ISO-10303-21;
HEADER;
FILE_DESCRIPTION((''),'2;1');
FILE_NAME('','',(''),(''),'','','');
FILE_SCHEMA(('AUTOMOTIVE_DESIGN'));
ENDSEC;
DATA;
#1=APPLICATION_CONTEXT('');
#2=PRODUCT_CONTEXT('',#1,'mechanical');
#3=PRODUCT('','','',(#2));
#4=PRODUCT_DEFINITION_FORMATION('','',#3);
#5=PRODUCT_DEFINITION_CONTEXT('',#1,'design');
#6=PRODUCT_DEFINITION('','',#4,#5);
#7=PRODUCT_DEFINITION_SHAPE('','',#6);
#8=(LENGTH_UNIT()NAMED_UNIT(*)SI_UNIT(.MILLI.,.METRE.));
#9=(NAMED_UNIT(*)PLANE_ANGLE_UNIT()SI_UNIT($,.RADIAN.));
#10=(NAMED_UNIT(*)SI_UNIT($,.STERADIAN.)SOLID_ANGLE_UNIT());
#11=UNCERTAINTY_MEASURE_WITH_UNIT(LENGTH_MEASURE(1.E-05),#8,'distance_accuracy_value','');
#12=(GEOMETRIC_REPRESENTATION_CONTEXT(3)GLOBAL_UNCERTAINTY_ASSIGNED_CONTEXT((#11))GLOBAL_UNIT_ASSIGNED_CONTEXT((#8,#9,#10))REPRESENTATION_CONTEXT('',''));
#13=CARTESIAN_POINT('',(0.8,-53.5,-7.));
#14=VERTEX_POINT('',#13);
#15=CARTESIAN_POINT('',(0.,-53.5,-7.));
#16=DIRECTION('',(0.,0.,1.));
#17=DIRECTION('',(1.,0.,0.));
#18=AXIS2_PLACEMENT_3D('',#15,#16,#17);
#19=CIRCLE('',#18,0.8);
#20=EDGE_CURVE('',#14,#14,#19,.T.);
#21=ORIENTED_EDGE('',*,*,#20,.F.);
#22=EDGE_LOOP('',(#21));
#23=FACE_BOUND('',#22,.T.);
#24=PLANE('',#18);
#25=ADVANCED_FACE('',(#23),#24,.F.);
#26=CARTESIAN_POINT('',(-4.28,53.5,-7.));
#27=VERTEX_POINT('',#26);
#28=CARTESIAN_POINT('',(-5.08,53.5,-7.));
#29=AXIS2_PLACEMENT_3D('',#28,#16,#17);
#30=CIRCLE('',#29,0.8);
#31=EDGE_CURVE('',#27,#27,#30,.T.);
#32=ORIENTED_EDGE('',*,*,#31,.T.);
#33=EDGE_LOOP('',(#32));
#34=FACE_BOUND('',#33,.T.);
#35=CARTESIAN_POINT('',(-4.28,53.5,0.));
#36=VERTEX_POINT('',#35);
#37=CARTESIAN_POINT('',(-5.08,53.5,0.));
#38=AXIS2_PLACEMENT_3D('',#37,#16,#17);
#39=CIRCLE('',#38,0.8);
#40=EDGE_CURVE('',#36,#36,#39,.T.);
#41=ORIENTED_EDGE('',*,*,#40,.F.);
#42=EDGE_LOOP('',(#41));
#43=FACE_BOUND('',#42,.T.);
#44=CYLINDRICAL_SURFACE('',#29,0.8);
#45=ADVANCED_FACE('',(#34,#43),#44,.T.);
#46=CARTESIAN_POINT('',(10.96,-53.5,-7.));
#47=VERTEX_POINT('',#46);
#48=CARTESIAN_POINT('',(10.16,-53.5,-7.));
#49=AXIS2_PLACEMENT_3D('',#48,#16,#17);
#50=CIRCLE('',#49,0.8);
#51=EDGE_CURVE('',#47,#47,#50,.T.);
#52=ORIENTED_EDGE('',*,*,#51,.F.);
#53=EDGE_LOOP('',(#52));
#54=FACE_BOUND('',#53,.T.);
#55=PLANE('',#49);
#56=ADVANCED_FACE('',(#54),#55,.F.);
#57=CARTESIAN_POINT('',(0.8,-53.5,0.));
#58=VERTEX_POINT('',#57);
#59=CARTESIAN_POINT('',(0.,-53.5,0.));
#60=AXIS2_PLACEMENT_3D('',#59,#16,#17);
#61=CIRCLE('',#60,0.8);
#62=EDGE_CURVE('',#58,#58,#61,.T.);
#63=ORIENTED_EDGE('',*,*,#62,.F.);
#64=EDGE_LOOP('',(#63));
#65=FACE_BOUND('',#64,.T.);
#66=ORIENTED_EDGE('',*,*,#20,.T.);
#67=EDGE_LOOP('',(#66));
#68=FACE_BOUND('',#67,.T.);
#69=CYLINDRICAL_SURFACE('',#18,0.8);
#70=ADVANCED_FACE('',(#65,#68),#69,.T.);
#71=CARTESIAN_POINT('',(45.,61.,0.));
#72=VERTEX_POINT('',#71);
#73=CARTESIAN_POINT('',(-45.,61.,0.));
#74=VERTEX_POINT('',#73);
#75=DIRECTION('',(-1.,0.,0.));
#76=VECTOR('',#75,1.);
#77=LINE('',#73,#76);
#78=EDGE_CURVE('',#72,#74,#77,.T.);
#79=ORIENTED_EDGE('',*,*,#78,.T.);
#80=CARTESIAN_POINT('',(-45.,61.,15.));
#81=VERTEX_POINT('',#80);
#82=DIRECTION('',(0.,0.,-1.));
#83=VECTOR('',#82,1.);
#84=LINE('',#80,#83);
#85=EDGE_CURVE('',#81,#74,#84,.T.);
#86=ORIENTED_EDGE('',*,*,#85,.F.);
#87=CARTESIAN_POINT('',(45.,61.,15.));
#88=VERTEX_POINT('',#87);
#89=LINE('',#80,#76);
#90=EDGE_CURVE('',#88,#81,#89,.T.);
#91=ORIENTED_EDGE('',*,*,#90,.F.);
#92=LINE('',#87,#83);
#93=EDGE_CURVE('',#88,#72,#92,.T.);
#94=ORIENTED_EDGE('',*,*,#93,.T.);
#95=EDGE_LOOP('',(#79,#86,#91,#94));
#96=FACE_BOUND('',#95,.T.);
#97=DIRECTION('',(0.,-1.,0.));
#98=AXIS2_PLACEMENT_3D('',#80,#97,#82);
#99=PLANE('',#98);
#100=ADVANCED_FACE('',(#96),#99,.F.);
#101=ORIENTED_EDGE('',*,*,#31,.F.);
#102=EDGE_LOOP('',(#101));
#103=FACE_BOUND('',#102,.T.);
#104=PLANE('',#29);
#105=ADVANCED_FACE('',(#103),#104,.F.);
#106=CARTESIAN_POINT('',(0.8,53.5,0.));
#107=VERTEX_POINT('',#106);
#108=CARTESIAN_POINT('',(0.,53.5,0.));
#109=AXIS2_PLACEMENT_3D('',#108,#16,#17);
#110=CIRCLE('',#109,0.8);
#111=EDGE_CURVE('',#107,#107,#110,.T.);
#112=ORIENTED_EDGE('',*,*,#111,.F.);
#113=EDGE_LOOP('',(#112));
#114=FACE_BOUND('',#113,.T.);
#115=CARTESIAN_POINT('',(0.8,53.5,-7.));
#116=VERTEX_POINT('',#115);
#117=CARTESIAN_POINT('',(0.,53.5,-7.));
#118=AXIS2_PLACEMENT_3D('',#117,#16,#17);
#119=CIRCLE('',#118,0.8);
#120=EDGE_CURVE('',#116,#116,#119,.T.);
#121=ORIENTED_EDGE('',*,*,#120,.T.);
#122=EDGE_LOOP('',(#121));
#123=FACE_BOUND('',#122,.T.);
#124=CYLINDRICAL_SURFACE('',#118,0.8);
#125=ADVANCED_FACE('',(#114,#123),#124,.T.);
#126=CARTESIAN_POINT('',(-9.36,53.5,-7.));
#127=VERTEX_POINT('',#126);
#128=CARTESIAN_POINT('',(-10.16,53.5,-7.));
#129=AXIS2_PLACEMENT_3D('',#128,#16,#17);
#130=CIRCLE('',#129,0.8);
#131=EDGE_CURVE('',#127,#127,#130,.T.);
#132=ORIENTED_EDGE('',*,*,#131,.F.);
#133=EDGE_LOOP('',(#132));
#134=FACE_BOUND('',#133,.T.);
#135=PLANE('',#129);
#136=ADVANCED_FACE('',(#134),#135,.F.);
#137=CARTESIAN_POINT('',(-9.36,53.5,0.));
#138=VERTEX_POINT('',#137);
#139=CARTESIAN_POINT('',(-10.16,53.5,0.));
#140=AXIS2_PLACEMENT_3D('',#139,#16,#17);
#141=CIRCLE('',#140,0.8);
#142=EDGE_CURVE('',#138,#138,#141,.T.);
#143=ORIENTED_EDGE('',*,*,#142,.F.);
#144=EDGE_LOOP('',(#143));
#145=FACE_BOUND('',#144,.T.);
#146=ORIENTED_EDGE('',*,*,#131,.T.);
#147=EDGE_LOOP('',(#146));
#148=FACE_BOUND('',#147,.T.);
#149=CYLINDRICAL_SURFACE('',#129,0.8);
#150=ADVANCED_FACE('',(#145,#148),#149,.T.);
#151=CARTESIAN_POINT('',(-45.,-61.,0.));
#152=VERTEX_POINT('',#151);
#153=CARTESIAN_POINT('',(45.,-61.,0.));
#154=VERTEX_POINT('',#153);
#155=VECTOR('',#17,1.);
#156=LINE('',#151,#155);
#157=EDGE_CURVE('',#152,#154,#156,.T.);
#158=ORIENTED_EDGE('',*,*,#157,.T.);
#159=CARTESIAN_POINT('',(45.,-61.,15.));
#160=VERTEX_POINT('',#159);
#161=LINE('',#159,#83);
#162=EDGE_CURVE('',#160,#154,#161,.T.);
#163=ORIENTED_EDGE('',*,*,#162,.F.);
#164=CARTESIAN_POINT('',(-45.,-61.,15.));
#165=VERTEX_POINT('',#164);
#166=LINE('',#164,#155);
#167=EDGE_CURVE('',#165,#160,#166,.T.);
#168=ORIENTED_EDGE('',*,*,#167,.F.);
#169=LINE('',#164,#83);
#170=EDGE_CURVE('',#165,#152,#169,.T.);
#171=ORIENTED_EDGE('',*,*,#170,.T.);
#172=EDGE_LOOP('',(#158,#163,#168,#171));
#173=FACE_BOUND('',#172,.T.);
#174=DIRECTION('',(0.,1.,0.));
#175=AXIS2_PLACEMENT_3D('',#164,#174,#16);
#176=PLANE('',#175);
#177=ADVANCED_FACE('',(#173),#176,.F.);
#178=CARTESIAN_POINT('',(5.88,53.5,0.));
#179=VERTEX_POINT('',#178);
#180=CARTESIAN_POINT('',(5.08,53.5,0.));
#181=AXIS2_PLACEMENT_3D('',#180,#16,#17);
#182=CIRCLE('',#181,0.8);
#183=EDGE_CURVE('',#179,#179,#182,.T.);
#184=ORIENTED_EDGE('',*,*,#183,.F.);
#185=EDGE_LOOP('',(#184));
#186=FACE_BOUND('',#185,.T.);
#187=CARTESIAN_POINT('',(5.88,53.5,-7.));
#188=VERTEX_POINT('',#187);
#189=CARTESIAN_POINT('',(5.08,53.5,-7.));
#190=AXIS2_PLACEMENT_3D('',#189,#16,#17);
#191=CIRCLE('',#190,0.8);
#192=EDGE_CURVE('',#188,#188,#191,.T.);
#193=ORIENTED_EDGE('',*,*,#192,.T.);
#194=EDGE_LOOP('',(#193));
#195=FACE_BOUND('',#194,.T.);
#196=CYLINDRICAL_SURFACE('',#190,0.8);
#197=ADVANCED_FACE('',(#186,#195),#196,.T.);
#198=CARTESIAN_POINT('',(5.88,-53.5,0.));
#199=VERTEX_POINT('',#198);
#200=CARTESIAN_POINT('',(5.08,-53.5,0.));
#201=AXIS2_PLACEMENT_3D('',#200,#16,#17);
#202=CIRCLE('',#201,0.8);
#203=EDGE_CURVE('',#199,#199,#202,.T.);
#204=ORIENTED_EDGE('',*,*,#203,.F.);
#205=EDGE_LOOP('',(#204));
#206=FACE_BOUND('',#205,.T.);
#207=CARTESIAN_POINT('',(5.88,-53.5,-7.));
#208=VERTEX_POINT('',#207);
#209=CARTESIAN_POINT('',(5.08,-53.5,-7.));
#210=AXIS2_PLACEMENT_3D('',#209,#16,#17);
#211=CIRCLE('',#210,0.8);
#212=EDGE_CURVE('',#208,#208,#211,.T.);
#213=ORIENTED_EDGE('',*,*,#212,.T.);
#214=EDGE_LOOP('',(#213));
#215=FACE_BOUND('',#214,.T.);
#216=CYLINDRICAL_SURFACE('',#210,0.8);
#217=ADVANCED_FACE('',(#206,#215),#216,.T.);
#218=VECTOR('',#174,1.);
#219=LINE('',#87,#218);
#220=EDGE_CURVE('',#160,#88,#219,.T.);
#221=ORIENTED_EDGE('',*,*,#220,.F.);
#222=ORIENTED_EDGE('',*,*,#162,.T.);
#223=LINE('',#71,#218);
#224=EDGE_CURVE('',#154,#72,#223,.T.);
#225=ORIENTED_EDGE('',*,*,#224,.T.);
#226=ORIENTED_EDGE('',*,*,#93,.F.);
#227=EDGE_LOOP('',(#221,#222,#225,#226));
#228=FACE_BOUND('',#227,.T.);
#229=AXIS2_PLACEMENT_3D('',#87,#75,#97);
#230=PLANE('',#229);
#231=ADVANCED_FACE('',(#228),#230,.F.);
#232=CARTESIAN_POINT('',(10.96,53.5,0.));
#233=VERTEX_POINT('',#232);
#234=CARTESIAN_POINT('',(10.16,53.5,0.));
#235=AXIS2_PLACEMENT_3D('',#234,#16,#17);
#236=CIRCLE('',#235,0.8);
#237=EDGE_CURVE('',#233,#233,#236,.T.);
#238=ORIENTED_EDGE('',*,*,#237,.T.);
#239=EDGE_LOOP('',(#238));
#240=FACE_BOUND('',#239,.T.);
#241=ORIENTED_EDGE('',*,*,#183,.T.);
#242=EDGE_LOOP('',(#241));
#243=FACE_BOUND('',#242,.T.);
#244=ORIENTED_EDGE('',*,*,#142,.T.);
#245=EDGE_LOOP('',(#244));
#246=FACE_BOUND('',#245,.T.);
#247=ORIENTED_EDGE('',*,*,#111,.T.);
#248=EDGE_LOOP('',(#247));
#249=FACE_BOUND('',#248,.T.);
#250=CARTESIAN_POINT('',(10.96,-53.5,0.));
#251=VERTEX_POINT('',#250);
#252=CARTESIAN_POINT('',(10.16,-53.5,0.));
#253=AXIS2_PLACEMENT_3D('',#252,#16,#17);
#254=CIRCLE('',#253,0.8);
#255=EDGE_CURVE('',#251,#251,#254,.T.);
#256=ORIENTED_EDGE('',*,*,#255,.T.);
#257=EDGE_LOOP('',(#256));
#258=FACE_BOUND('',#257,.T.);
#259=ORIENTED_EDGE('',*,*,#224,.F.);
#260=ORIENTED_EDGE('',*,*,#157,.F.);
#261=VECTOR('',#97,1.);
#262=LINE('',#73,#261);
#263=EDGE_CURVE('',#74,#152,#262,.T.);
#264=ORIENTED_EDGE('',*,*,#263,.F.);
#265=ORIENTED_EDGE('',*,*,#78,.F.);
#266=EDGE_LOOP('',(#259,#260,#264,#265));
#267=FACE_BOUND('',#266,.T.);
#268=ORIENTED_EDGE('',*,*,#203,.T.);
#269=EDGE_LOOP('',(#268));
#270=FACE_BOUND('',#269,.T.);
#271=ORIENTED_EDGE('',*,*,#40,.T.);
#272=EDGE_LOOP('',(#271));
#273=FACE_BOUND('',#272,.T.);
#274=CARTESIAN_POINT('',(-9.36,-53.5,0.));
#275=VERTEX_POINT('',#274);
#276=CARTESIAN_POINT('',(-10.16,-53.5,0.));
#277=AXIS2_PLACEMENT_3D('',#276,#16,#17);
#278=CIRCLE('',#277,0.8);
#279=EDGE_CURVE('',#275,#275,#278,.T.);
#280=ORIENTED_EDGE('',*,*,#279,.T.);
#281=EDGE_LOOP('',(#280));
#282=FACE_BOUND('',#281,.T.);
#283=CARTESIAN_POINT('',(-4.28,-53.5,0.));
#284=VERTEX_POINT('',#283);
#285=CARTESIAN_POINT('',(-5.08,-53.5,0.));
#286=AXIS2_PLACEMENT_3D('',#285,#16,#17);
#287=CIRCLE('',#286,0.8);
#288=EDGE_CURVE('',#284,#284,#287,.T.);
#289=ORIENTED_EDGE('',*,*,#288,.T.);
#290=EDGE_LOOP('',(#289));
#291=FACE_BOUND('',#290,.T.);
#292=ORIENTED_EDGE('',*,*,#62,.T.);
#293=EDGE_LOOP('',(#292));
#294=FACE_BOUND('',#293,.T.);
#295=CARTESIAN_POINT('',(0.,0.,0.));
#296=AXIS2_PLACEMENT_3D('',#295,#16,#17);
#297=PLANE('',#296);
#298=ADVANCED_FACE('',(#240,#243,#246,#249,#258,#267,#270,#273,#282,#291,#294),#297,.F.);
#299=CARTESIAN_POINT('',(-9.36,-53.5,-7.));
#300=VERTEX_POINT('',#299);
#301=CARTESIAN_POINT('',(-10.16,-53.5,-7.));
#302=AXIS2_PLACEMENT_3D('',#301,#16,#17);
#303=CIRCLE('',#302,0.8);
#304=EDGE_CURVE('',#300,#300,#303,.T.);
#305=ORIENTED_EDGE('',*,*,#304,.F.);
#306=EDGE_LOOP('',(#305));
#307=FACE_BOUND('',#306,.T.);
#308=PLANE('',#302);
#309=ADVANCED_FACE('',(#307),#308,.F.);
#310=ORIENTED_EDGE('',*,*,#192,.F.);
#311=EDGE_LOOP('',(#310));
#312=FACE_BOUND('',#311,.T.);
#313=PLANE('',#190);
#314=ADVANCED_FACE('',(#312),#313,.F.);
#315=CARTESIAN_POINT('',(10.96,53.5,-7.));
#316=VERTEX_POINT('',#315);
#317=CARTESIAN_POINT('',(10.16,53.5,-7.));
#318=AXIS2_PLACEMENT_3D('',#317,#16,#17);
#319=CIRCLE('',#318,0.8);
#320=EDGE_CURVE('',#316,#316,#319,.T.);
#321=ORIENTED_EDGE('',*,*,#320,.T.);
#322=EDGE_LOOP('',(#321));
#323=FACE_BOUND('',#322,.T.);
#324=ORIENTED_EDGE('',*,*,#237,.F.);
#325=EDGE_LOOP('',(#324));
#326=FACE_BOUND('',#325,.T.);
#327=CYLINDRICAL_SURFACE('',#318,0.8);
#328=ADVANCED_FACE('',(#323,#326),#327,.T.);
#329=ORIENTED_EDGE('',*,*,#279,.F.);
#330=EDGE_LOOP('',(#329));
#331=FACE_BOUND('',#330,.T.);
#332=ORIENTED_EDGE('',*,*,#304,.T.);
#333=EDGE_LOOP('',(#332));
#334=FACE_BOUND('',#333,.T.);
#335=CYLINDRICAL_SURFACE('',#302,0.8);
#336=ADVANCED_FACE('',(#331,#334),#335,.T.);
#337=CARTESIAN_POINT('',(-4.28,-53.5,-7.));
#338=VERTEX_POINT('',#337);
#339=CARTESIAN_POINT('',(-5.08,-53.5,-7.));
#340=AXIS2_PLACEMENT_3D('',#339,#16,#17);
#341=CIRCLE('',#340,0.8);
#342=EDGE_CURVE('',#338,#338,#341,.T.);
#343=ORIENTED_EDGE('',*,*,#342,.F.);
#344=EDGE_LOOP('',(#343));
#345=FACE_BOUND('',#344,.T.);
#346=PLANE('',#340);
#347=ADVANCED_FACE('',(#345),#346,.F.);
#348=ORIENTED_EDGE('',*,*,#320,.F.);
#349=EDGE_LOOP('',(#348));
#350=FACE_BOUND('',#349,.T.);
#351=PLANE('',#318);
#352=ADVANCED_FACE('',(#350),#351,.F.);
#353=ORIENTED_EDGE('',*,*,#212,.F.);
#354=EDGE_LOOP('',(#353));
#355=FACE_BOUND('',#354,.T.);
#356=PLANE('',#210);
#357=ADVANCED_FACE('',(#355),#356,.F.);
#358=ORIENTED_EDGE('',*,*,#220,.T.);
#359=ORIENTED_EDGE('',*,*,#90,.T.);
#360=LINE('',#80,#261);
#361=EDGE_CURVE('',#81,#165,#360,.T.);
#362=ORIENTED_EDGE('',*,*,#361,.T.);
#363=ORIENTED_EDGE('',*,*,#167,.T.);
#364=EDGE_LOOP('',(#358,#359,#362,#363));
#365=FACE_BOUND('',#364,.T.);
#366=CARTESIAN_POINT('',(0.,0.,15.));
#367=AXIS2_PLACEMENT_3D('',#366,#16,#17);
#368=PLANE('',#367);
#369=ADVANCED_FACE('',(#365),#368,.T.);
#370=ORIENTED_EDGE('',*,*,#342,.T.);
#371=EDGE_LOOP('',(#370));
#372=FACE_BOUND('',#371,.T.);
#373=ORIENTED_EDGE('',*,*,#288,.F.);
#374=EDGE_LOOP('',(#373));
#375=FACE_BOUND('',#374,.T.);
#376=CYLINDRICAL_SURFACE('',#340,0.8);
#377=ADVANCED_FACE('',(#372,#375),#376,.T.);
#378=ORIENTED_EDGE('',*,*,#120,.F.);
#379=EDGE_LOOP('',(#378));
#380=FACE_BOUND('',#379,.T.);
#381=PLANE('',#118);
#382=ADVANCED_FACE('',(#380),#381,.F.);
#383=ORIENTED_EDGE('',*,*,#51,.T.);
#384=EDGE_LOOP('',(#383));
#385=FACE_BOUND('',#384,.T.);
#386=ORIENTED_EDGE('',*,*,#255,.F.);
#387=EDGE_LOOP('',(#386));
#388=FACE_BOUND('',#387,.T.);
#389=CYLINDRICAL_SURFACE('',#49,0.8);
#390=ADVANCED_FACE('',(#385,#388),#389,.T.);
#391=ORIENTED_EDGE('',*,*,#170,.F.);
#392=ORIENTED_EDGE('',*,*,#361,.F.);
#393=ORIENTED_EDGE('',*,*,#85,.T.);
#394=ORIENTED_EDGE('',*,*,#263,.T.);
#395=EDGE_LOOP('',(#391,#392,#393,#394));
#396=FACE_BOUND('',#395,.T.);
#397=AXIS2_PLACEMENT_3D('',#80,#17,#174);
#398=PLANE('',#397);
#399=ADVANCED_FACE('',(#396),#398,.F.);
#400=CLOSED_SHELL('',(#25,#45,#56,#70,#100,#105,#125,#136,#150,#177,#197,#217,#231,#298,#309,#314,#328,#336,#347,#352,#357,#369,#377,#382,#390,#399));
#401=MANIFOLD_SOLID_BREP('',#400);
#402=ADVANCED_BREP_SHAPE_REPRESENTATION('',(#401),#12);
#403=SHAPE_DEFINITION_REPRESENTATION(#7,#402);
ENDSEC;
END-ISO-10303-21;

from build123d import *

# Parameters (mm, degrees)
CROQUIS1_W              = 90
CROQUIS1_H              = 122
SALIENTE_EXTRUIR1_DEPTH = 15
CROQUIS2_R              = 0.8
SALIENTE_EXTRUIR2_DEPTH = 7


with BuildPart() as part:
    # Croquis1 → Saliente-Extruir1 (new body)
    with BuildSketch(Plane.XY):
        Rectangle(CROQUIS1_W, CROQUIS1_H)
    extrude(amount=SALIENTE_EXTRUIR1_DEPTH)

    # Croquis2 → Saliente-Extruir2 (add)
    with BuildSketch(Plane.XY):
        with Locations((10.16, -53.5)):
            Circle(CROQUIS2_R)
        with Locations((10.16, 53.5)):
            Circle(CROQUIS2_R)
        with Locations((5.08, -53.5)):
            Circle(CROQUIS2_R)
        with Locations((5.08, 53.5)):
            Circle(CROQUIS2_R)
        with Locations((0, -53.5)):
            Circle(CROQUIS2_R)
        with Locations((0, 53.5)):
            Circle(CROQUIS2_R)
        with Locations((-5.08, -53.5)):
            Circle(CROQUIS2_R)
        with Locations((-5.08, 53.5)):
            Circle(CROQUIS2_R)
        with Locations((-10.16, -53.5)):
            Circle(CROQUIS2_R)
        with Locations((-10.16, 53.5)):
            Circle(CROQUIS2_R)
    extrude(amount=-SALIENTE_EXTRUIR2_DEPTH)


solid = part.part
